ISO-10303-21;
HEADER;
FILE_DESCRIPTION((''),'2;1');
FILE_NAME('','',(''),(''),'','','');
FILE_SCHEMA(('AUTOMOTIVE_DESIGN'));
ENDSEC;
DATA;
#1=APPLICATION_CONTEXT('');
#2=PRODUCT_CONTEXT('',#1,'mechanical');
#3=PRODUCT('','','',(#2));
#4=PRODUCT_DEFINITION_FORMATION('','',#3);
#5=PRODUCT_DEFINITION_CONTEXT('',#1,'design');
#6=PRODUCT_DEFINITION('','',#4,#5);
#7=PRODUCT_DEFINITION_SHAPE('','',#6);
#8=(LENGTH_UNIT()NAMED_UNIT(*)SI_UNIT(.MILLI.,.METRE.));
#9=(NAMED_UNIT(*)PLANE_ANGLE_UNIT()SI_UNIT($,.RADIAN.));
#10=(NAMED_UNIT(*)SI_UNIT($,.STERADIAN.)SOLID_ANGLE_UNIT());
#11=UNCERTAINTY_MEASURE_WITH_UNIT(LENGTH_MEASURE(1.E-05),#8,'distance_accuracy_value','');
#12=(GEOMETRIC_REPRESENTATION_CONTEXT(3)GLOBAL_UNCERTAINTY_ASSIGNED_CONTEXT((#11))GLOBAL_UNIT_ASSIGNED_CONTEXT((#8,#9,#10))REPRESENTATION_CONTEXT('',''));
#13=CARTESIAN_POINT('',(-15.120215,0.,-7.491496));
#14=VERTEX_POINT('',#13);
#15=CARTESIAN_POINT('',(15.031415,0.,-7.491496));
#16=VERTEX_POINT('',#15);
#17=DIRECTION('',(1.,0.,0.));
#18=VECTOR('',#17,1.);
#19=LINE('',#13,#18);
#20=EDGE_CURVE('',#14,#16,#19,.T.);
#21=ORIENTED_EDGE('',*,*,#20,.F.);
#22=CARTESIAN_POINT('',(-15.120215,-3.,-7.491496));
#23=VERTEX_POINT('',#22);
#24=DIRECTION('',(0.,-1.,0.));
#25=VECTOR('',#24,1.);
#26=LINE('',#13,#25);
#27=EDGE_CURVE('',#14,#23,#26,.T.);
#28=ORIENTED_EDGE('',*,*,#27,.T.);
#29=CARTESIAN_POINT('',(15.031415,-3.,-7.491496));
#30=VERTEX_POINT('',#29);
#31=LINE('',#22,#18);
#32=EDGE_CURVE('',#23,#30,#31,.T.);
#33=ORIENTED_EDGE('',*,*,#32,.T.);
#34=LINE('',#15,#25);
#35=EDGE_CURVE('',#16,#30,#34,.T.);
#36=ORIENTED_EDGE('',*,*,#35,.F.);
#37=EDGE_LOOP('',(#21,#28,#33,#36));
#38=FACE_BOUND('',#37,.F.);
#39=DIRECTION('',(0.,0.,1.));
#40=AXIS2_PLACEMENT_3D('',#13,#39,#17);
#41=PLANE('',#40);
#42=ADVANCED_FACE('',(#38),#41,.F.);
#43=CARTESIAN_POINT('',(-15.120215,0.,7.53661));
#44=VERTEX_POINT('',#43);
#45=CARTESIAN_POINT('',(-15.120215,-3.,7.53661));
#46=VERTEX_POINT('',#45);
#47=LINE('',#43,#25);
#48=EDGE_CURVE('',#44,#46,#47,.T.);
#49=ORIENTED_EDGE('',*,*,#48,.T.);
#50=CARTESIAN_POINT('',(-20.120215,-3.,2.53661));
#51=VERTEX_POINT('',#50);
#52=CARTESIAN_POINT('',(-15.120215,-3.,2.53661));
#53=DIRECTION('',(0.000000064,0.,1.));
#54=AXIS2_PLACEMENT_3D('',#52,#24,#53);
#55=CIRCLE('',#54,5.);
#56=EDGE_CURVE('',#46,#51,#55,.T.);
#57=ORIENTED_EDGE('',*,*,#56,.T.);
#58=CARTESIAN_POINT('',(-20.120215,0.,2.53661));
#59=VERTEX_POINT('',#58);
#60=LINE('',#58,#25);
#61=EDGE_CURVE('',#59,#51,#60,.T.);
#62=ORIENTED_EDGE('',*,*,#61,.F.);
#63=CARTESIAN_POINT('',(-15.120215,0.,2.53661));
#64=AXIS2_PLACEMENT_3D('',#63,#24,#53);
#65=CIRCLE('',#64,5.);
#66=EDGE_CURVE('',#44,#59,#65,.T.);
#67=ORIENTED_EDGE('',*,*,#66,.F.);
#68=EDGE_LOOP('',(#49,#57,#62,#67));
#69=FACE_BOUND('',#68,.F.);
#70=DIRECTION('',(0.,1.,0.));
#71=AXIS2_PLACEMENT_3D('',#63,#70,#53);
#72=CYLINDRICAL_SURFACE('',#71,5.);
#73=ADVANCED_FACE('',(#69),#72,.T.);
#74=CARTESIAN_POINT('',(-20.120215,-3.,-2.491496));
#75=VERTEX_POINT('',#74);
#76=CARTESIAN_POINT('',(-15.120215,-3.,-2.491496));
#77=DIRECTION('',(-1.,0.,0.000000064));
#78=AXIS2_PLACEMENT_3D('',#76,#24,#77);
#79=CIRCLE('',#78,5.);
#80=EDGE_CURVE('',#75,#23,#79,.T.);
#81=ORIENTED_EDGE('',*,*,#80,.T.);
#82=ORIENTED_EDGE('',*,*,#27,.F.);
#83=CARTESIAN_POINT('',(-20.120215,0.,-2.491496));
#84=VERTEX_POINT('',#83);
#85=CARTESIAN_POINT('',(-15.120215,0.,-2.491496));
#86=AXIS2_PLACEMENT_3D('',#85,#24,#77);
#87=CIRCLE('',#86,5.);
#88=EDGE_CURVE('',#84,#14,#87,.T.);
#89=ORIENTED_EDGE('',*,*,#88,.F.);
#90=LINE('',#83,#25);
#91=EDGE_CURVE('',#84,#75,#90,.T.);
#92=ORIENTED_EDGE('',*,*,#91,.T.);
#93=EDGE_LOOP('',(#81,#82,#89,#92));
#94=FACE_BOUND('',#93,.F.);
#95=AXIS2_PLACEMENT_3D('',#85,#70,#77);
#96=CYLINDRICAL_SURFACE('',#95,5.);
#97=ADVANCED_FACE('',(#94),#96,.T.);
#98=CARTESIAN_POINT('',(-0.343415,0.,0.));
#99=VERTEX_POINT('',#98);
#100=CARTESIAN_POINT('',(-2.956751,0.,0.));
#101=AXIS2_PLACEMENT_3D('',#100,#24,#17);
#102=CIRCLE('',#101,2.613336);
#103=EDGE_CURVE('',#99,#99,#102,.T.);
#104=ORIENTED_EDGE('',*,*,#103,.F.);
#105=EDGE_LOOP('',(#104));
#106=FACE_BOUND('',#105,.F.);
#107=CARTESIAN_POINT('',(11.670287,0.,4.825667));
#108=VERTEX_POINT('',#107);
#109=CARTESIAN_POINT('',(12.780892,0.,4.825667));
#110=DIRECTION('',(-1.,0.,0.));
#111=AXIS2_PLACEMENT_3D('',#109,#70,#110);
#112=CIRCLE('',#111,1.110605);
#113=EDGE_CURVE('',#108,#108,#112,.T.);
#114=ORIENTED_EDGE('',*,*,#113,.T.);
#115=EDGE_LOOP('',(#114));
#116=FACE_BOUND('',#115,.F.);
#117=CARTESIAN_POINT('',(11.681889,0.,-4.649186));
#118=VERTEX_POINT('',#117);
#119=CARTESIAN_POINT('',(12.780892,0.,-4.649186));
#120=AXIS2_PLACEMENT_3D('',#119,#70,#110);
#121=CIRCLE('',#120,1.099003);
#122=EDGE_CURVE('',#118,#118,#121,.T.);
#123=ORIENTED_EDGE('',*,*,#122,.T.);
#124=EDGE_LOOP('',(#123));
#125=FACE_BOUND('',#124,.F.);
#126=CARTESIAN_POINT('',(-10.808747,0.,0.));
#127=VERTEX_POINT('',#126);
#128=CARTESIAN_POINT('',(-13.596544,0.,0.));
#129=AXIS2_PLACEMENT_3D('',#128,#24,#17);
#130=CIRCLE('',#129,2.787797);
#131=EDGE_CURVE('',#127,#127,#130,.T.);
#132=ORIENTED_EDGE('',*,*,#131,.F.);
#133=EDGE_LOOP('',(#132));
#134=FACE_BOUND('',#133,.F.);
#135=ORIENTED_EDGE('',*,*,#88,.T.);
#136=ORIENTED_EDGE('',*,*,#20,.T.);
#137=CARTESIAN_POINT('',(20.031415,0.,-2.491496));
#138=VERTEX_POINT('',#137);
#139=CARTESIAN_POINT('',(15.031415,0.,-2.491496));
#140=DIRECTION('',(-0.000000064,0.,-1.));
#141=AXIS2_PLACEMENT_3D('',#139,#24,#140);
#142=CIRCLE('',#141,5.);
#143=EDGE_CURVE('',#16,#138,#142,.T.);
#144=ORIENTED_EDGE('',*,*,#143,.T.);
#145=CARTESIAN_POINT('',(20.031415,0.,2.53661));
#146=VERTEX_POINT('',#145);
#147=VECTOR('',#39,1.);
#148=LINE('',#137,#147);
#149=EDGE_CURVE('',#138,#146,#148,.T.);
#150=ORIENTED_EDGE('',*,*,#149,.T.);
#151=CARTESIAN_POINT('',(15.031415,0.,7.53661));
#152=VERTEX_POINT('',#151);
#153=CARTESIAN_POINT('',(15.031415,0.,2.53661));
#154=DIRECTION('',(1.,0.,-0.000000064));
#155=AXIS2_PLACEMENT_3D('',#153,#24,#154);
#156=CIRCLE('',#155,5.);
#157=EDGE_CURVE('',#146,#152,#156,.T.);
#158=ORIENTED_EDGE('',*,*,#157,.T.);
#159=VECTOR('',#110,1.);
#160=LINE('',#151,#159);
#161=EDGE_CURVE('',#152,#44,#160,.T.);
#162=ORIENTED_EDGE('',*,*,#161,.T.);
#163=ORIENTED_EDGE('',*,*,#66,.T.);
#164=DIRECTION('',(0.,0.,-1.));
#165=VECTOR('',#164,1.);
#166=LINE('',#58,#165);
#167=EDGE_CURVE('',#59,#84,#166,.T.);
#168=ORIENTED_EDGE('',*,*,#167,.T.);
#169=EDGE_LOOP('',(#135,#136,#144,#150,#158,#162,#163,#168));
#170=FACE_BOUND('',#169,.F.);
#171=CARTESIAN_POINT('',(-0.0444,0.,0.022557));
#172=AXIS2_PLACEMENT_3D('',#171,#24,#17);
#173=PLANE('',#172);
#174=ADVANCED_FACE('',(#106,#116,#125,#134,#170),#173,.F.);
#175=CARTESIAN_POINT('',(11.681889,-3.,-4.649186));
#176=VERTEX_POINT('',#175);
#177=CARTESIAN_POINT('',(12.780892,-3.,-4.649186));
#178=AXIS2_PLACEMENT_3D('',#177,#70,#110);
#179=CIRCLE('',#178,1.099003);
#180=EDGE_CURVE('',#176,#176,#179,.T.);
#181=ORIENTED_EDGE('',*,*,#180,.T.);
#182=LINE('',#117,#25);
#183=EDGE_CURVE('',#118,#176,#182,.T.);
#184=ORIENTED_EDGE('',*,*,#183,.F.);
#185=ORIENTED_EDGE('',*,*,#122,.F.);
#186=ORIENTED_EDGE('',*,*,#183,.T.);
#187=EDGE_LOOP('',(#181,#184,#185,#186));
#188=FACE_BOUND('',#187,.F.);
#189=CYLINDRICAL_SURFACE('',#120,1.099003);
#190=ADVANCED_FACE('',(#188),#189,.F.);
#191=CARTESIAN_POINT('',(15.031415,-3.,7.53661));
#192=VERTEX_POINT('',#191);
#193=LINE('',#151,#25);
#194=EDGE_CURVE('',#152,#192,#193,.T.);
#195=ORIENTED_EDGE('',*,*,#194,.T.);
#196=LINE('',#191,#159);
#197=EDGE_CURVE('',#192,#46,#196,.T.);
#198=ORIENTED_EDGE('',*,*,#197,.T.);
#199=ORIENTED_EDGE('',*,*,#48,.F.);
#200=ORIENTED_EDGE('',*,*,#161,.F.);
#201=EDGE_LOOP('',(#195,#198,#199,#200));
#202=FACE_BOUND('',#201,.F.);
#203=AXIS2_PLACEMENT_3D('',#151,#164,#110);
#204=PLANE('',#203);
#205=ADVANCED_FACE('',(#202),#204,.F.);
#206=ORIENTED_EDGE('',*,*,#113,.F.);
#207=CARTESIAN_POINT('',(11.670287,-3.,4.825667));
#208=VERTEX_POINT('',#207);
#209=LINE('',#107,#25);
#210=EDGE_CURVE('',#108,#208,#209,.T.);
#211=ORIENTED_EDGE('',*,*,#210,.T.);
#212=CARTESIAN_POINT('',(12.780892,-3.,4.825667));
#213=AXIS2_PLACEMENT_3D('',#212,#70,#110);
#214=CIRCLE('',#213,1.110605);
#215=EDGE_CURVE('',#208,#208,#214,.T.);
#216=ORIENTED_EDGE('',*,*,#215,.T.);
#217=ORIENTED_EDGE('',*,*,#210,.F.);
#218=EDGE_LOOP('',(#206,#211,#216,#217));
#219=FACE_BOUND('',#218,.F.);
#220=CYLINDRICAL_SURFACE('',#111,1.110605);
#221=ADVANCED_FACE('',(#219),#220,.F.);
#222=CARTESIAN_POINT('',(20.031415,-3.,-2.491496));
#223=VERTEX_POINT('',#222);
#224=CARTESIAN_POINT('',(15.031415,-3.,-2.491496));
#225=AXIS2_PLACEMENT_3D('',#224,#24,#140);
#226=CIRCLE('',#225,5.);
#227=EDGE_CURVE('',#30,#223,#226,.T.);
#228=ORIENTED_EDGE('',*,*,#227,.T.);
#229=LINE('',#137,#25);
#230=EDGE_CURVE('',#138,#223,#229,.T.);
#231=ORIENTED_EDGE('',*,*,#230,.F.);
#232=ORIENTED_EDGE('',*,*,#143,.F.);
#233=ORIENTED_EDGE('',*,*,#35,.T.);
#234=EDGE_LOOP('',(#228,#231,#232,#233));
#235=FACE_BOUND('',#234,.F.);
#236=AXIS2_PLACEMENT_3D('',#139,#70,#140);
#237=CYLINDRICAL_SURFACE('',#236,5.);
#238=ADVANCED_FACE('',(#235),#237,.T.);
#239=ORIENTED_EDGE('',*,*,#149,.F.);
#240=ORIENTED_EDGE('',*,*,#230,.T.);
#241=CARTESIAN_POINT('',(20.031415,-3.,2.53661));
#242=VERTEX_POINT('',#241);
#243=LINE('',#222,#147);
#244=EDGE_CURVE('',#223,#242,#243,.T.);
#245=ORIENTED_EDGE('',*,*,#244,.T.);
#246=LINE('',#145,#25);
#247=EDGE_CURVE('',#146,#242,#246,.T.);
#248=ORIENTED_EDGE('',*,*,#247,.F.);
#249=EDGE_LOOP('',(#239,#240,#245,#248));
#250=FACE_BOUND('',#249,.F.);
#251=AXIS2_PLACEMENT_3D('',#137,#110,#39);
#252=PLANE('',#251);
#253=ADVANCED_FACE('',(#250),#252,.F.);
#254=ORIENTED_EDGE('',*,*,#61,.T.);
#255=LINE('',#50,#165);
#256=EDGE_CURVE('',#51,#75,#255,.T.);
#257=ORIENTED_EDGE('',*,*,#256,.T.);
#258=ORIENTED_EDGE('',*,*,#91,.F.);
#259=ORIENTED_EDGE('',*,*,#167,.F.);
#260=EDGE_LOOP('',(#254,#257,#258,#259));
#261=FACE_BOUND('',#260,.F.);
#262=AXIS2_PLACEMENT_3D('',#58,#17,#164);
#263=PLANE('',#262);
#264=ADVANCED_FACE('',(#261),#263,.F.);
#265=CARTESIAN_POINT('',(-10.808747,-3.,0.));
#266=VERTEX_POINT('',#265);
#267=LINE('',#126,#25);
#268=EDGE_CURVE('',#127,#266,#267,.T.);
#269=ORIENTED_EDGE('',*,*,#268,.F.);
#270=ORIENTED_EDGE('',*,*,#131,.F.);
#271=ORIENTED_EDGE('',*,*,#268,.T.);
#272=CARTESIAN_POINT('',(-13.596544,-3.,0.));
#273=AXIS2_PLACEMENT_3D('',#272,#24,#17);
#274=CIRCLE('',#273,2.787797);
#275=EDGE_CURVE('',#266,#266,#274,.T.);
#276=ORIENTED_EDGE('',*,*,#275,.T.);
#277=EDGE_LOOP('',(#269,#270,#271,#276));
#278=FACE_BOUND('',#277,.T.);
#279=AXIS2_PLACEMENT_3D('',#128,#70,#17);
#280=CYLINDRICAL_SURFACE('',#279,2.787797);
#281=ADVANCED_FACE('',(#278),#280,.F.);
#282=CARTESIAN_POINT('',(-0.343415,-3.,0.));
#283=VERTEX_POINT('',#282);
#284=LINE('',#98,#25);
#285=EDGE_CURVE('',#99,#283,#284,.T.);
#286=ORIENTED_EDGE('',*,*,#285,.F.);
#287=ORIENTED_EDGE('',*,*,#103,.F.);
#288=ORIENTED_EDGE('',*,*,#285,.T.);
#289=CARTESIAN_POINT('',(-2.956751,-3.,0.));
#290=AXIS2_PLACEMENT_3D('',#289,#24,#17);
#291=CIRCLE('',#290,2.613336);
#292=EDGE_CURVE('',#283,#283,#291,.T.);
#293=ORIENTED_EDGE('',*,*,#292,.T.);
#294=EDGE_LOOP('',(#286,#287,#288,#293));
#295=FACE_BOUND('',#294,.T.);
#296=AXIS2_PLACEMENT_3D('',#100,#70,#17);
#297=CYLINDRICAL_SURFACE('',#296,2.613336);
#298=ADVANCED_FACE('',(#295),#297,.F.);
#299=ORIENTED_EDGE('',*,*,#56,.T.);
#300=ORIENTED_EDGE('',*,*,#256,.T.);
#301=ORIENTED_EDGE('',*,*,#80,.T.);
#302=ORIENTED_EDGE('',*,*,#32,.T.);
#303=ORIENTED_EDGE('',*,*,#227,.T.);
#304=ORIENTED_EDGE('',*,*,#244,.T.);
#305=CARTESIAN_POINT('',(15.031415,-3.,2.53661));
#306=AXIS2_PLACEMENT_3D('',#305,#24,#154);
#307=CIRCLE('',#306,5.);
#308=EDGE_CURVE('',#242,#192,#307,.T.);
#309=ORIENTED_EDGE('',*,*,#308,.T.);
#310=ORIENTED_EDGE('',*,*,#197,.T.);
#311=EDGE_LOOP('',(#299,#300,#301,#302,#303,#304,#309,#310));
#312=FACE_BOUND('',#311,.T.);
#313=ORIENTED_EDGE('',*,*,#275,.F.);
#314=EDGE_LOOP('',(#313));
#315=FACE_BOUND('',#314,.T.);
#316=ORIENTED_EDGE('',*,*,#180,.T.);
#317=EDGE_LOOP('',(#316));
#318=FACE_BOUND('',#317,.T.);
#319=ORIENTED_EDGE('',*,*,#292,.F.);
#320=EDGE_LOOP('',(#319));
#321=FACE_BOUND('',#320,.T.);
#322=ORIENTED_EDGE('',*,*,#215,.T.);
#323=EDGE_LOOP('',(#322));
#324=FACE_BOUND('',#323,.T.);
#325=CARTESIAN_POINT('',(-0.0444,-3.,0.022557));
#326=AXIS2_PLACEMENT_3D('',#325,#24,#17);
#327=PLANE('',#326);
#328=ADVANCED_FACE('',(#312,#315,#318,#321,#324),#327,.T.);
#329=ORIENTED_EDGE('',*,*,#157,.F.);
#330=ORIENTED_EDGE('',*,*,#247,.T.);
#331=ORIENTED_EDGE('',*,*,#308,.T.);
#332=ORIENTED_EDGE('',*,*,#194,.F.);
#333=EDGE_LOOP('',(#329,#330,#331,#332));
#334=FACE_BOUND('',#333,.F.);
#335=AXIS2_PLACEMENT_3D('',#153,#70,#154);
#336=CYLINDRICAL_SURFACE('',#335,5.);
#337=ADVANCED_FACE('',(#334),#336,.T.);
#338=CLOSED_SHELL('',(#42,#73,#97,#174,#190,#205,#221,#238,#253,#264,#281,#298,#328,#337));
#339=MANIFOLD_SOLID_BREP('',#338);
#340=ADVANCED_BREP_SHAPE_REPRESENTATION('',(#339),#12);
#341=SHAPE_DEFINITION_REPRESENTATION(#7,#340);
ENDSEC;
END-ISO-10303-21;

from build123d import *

# Parameters (mm, degrees)
F0_R     = 2.787797
F0_R_2   = 2.613336
F1_DEPTH = 3
F2_R     = 1.110605
F2_R_2   = 1.099003
F3_DEPTH = 25


with BuildPart() as f1:
    # F0 (on Front) → F1 (new body)
    with BuildSketch(Plane.XZ):
        with BuildLine():
            Line((15.031415, 7.53661), (-15.120215, 7.53661))
            ThreePointArc((-15.120215, 7.53661), (-18.655749, 6.072144), (-20.120215, 2.53661))
            Line((-20.120215, 2.53661), (-20.120215, -2.491496))
            ThreePointArc((-20.120215, -2.491496), (-18.655749, -6.02703), (-15.120215, -7.491496))
            Line((-15.120215, -7.491496), (15.031415, -7.491496))
            ThreePointArc((15.031415, -7.491496), (18.566949, -6.02703), (20.031415, -2.491496))
            Line((20.031415, -2.491496), (20.031415, 2.53661))
            ThreePointArc((20.031415, 2.53661), (18.566949, 6.072144), (15.031415, 7.53661))
        make_face()
        with Locations((-13.596544, 0)):
            Circle(F0_R, mode=Mode.SUBTRACT)
        with Locations((-2.956751, 0)):
            Circle(F0_R_2, mode=Mode.SUBTRACT)
    extrude(amount=F1_DEPTH)

    # F2 (on face) → F3 (cut)
    with BuildSketch(Plane(origin=(0, 0, 0), x_dir=(-1, 0, 0), z_dir=(0, 1, 0))):
        with Locations((-12.780892, 4.825667)):
            Circle(F2_R)
        with Locations((-12.780892, -4.649186)):
            Circle(F2_R_2)
    extrude(amount=-F3_DEPTH, mode=Mode.SUBTRACT)


solid = f1.part
